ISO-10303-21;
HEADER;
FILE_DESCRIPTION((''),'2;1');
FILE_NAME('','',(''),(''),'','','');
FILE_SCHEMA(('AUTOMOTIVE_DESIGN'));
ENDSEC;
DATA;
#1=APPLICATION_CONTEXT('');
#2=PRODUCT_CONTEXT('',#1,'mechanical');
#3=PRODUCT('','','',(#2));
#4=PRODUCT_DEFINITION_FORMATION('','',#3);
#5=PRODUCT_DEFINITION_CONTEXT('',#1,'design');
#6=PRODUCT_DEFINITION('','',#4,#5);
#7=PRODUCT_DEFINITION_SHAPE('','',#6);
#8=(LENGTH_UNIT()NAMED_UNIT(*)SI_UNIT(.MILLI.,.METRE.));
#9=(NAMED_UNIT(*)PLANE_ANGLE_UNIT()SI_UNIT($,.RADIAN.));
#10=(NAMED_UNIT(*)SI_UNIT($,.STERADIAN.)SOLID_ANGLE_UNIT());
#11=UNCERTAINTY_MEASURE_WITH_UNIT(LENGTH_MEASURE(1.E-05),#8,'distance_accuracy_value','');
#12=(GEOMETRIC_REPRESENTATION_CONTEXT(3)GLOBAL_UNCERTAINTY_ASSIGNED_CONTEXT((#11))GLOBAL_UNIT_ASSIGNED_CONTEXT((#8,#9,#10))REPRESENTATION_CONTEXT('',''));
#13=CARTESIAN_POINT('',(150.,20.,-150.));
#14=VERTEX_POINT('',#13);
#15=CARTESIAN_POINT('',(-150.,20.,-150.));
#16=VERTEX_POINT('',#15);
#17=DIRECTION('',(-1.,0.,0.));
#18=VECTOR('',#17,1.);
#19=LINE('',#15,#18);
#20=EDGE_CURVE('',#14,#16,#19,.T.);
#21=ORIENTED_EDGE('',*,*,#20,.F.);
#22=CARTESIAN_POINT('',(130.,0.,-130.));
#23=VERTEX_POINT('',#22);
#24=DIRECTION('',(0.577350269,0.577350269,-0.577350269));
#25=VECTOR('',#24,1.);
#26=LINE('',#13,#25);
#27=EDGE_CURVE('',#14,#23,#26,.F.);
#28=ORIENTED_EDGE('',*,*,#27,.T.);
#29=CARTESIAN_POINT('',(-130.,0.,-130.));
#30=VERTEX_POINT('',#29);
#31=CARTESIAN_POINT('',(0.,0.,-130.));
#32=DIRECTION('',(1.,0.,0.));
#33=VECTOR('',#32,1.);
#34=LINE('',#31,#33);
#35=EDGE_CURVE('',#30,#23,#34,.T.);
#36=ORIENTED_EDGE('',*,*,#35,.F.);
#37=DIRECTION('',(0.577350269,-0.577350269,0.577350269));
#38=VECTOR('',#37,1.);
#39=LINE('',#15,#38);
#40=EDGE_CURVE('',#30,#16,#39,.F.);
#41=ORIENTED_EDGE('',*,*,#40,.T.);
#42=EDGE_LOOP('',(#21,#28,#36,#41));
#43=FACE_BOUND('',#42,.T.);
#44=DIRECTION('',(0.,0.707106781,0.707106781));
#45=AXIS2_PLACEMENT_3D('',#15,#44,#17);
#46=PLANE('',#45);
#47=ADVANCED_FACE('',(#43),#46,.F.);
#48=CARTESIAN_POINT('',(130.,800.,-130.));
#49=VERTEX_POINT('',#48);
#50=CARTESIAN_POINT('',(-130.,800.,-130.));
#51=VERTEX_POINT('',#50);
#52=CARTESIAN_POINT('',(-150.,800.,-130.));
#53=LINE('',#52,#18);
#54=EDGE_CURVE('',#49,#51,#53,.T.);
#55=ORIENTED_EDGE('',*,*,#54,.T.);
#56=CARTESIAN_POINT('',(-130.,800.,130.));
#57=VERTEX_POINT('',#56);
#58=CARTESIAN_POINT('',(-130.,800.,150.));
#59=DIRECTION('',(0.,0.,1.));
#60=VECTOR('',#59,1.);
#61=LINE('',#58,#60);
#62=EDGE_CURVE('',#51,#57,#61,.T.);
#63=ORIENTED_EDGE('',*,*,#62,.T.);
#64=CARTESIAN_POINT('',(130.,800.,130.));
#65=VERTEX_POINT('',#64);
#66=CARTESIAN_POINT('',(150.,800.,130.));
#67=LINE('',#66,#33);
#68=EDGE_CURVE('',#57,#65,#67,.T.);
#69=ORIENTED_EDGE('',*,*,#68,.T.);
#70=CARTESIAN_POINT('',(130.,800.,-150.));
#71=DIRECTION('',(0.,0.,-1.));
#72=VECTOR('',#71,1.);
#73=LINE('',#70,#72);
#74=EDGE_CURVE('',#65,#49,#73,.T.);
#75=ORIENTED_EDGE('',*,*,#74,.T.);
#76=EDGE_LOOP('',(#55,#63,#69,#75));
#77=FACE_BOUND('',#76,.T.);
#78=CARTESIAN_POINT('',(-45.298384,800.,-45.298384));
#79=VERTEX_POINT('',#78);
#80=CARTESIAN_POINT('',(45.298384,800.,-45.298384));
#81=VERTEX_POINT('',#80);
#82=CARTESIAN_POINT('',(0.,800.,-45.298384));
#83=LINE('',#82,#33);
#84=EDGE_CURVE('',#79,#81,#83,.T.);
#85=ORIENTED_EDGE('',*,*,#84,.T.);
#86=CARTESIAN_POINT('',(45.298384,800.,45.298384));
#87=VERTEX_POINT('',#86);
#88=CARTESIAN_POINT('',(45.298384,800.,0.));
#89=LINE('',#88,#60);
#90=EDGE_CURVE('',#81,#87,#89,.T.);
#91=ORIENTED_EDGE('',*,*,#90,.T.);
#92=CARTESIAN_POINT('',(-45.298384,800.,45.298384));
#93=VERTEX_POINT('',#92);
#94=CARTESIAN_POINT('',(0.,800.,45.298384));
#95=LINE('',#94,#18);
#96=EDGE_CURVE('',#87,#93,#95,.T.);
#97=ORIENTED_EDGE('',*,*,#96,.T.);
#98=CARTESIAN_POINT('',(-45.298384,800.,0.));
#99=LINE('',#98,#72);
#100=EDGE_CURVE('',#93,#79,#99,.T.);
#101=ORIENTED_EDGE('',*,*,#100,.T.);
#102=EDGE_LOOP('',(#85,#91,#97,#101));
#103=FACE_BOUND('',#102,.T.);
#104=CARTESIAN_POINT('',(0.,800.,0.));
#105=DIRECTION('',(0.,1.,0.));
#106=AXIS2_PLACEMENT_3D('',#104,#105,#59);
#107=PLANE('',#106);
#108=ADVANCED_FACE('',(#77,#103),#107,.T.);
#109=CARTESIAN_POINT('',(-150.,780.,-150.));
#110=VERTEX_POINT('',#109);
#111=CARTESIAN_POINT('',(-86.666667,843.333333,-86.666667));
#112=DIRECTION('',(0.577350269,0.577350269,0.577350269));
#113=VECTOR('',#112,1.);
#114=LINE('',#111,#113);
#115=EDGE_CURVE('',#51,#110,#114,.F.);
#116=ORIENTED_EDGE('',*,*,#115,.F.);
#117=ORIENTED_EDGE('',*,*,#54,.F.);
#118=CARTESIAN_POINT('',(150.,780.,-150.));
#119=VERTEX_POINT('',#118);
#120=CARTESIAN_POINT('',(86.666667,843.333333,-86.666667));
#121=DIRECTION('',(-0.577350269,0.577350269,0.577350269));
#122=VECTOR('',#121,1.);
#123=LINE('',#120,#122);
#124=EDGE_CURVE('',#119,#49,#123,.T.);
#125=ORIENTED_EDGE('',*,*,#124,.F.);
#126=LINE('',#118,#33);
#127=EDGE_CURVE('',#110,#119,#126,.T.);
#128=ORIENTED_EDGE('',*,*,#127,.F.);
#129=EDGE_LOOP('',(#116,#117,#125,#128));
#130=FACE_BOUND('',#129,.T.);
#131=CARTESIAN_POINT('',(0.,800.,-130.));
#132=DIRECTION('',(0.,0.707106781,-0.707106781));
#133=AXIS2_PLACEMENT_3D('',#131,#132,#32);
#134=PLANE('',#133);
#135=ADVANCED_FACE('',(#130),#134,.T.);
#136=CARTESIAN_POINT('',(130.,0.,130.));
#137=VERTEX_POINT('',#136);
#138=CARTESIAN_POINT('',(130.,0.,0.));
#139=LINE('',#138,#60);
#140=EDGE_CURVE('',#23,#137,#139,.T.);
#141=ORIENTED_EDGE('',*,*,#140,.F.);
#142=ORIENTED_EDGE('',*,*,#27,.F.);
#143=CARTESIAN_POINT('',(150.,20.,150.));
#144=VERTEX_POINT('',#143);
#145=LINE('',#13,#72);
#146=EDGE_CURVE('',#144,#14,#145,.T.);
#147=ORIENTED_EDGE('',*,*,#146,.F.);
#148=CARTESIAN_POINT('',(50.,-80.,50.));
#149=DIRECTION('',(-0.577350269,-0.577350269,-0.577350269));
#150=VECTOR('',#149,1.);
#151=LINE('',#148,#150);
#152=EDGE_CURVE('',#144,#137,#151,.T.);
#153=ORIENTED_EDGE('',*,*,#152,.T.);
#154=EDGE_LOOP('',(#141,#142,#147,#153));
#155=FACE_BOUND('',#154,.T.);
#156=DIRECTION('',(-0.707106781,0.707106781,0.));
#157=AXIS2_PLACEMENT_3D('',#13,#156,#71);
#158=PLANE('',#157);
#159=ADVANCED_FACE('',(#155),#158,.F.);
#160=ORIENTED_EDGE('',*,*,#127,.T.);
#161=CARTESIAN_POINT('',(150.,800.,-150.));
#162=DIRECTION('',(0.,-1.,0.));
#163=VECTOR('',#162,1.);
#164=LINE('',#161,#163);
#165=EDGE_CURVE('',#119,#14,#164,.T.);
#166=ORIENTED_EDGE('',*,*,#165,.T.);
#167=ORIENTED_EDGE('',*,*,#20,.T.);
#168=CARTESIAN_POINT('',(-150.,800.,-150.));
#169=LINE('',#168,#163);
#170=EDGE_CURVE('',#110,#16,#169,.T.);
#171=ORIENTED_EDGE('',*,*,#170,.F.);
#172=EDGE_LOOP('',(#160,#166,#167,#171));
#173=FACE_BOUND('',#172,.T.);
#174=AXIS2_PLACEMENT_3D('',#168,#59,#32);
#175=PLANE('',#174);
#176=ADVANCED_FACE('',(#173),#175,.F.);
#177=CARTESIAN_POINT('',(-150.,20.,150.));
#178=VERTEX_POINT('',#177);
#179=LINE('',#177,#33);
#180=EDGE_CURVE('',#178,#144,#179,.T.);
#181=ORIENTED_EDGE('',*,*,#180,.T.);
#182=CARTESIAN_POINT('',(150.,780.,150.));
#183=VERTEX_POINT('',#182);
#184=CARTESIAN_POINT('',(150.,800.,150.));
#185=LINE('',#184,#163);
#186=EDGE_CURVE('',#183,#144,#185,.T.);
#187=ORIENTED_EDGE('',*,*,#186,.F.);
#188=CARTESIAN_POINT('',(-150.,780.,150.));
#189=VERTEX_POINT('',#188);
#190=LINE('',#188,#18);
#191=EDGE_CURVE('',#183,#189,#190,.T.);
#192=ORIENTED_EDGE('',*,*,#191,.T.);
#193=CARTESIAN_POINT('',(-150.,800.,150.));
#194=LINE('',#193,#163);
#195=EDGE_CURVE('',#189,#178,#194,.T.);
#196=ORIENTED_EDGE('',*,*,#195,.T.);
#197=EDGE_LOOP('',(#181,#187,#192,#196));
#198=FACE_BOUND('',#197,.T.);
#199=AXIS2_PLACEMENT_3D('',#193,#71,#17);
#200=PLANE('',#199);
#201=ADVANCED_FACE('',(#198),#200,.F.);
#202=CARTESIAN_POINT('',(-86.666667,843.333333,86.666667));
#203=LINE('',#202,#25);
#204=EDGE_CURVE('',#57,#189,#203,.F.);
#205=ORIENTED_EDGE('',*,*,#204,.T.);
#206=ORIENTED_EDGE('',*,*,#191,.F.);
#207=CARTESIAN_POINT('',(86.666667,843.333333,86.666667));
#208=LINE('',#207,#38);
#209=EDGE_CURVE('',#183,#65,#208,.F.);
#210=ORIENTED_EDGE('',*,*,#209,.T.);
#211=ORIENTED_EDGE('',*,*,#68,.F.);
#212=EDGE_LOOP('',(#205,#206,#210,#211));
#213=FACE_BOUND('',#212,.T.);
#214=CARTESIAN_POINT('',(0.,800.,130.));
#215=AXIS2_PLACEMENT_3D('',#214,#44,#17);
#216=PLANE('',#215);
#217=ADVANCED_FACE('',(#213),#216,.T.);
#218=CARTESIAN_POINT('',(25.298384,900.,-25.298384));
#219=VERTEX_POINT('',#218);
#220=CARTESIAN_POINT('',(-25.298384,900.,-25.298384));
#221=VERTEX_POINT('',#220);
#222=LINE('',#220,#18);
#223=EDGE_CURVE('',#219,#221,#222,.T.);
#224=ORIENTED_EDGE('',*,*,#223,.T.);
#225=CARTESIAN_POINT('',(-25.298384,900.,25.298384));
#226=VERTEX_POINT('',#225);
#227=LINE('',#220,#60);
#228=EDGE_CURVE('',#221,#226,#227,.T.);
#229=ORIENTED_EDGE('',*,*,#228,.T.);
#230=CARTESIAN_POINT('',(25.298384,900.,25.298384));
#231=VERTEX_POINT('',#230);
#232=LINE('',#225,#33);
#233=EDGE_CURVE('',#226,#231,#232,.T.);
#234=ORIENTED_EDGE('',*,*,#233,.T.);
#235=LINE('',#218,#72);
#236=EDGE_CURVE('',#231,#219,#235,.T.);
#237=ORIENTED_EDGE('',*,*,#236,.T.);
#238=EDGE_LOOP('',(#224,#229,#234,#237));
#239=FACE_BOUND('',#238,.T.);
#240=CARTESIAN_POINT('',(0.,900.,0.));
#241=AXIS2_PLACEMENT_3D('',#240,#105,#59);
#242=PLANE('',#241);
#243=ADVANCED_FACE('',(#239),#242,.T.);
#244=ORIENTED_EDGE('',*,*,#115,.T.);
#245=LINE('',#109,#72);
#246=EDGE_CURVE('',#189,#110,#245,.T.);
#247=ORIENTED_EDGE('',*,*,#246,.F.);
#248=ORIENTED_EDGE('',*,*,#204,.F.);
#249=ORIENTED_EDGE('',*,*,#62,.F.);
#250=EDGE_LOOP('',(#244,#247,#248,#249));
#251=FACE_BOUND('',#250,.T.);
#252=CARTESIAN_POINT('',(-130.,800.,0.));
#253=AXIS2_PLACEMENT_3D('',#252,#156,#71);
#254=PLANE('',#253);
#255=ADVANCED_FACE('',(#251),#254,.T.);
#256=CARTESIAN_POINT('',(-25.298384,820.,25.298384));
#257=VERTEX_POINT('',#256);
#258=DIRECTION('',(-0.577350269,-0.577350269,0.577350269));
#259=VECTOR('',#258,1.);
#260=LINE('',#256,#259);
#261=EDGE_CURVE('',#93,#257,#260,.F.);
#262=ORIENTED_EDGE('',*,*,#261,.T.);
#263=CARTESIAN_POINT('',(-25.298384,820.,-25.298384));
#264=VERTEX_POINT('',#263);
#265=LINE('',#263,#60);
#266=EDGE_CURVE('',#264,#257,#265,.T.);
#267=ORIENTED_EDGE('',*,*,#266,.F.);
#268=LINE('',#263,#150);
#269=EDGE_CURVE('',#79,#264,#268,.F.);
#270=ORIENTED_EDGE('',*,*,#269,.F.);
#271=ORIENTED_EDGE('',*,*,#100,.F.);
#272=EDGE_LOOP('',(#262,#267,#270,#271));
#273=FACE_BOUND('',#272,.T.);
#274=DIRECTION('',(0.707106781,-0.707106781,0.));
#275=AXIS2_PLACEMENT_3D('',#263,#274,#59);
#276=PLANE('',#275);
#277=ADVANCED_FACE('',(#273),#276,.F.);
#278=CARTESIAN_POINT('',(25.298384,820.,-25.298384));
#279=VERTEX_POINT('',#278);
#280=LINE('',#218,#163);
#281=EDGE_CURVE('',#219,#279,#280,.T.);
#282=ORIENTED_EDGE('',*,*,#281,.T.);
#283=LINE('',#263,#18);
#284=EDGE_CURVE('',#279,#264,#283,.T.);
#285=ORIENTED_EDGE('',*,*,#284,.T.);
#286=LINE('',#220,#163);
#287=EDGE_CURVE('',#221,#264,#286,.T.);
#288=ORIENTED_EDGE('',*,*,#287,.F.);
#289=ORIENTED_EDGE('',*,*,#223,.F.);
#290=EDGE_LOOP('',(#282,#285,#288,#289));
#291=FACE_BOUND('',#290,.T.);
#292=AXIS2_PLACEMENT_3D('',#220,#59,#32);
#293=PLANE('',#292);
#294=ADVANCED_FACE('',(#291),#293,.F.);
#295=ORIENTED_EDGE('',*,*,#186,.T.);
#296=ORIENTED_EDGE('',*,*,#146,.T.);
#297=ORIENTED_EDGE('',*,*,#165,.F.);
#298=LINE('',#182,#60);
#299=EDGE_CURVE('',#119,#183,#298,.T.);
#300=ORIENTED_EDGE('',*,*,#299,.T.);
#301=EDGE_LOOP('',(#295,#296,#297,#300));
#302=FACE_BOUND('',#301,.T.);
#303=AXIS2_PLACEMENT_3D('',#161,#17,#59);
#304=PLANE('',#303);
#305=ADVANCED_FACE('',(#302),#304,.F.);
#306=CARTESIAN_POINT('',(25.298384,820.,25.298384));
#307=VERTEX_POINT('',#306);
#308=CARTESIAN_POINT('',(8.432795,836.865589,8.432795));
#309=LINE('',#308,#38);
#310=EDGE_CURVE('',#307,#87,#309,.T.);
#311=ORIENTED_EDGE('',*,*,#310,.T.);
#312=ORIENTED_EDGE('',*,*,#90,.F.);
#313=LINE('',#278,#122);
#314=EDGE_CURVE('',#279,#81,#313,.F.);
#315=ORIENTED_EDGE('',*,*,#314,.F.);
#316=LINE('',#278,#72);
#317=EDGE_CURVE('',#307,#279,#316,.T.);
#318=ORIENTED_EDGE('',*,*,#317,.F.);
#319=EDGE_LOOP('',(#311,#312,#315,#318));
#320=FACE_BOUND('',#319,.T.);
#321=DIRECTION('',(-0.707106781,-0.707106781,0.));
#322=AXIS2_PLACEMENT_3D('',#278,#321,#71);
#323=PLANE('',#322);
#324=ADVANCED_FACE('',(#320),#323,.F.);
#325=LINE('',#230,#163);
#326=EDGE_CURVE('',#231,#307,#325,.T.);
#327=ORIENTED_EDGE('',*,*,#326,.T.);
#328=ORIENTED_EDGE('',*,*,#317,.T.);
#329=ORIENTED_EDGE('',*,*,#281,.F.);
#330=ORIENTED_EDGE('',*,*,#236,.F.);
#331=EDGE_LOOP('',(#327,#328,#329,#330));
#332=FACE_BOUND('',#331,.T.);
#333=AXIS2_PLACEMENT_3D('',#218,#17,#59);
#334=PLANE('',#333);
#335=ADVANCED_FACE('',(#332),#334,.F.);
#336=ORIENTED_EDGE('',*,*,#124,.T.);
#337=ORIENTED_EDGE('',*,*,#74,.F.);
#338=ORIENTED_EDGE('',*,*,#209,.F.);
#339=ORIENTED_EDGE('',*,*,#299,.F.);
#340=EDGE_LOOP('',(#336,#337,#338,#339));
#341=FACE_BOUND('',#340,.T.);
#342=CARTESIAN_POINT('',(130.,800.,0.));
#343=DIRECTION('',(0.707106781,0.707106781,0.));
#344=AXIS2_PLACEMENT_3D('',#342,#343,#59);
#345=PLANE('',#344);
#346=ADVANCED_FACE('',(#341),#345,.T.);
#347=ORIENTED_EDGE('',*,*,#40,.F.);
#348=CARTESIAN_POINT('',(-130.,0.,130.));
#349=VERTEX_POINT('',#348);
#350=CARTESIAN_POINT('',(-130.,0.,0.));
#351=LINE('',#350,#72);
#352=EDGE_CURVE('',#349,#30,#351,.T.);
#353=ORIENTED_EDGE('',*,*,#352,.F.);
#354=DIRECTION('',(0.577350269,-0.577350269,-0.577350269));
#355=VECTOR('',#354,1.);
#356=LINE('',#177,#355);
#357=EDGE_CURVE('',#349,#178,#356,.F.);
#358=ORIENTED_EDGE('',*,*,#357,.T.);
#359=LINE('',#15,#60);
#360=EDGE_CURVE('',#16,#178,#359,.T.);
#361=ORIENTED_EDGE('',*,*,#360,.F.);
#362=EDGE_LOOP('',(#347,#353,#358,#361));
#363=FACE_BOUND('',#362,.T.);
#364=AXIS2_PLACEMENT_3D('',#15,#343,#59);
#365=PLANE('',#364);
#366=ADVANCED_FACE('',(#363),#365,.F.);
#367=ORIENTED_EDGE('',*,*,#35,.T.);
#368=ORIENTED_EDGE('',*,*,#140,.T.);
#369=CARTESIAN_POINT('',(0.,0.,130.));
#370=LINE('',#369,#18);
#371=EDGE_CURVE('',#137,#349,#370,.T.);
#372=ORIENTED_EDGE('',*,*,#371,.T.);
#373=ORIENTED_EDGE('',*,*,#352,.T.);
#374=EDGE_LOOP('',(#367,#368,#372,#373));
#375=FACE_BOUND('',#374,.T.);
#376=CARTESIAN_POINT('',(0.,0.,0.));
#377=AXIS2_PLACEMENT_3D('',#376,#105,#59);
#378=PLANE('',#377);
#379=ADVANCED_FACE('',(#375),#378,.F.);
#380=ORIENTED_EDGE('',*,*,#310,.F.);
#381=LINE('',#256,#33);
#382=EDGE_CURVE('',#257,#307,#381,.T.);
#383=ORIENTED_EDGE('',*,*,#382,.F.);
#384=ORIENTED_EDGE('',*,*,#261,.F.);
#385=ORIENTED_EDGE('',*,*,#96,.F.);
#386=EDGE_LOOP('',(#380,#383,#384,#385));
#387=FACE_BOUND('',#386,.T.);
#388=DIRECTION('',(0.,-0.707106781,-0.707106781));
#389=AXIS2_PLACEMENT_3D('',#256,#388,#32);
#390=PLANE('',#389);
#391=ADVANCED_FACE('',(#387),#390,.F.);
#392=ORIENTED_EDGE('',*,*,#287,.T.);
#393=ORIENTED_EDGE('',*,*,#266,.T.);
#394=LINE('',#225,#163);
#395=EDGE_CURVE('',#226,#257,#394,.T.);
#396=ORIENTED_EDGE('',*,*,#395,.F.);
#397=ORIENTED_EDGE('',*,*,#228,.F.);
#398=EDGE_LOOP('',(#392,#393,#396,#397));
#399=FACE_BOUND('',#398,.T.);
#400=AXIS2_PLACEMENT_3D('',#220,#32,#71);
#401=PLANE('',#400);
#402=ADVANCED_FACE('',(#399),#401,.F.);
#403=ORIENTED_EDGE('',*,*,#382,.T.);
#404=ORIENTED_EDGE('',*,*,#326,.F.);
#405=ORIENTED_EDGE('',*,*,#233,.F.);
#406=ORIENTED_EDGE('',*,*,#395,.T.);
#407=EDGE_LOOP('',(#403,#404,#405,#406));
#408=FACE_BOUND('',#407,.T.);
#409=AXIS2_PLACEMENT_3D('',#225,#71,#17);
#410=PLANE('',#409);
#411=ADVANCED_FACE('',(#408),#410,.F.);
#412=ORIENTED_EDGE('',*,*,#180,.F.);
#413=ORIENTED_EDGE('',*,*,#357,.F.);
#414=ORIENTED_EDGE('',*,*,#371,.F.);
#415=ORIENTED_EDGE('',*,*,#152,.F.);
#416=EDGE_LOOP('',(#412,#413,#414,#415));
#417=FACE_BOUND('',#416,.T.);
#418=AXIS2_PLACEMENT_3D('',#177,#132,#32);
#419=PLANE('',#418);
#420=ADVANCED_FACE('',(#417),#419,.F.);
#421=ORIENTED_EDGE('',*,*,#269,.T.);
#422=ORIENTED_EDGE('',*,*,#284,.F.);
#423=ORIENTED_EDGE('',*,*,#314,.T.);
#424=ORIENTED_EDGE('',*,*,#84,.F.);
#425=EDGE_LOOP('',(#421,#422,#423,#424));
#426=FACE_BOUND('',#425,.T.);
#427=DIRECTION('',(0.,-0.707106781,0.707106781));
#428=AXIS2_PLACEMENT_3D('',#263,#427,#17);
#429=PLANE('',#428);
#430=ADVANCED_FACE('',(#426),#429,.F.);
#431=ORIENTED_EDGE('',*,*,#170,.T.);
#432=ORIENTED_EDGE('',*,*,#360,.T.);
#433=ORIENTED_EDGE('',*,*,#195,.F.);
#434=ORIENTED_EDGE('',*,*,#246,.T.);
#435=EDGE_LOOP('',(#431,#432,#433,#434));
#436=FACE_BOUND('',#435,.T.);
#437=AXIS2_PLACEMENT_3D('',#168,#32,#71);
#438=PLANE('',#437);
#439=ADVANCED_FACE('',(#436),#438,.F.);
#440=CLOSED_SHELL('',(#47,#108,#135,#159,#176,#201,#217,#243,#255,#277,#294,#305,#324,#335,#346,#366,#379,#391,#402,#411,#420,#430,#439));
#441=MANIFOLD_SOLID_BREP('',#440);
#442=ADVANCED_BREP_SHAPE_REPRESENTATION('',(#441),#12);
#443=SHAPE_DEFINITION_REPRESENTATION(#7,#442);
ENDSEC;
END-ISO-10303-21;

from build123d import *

# Parameters (mm, degrees)
SKETCH1_W           = 300
SKETCH1_H           = 300
BOSS_EXTRUDE1_DEPTH = 800
SKETCH2_W           = 50.59676849
SKETCH2_H           = 50.59676849
BOSS_EXTRUDE2_DEPTH = 100
CHAMFER1_SIZE       = 20


with BuildPart() as part:
    # Sketch1 → Boss-Extrude1 (new body)
    with BuildSketch(Plane(origin=(0, 0, 0), x_dir=(1, 0, 0), z_dir=(0, 1, 0))):
        Rectangle(SKETCH1_W, SKETCH1_H)
    extrude(amount=BOSS_EXTRUDE1_DEPTH)

    # Sketch2 → Boss-Extrude2 (add)
    with BuildSketch(Plane(origin=(0, 800, 0), x_dir=(1, 0, 0), z_dir=(0, 1, 0))):
        Rectangle(SKETCH2_W, SKETCH2_H)
    extrude(amount=BOSS_EXTRUDE2_DEPTH)

    # Chamfer1
    chamfer1_edges = [part.edges().sort_by_distance(p)[0] for p in [
        (-150, 800, 0),
        (25.298384245, 800, 0),
        (0, 800, -25.298384245),
        (-25.298384245, 800, 0),
        (0, 800, 150),
        (0, 800, 25.298384245),
        (150, 800, 0),
        (0, 0, 150),
        (-150, 0, 0),
        (0, 0, -150),
        (150, 0, 0),
        (0, 800, -150),
    ]]
    chamfer(chamfer1_edges, length=CHAMFER1_SIZE)


solid = part.part
